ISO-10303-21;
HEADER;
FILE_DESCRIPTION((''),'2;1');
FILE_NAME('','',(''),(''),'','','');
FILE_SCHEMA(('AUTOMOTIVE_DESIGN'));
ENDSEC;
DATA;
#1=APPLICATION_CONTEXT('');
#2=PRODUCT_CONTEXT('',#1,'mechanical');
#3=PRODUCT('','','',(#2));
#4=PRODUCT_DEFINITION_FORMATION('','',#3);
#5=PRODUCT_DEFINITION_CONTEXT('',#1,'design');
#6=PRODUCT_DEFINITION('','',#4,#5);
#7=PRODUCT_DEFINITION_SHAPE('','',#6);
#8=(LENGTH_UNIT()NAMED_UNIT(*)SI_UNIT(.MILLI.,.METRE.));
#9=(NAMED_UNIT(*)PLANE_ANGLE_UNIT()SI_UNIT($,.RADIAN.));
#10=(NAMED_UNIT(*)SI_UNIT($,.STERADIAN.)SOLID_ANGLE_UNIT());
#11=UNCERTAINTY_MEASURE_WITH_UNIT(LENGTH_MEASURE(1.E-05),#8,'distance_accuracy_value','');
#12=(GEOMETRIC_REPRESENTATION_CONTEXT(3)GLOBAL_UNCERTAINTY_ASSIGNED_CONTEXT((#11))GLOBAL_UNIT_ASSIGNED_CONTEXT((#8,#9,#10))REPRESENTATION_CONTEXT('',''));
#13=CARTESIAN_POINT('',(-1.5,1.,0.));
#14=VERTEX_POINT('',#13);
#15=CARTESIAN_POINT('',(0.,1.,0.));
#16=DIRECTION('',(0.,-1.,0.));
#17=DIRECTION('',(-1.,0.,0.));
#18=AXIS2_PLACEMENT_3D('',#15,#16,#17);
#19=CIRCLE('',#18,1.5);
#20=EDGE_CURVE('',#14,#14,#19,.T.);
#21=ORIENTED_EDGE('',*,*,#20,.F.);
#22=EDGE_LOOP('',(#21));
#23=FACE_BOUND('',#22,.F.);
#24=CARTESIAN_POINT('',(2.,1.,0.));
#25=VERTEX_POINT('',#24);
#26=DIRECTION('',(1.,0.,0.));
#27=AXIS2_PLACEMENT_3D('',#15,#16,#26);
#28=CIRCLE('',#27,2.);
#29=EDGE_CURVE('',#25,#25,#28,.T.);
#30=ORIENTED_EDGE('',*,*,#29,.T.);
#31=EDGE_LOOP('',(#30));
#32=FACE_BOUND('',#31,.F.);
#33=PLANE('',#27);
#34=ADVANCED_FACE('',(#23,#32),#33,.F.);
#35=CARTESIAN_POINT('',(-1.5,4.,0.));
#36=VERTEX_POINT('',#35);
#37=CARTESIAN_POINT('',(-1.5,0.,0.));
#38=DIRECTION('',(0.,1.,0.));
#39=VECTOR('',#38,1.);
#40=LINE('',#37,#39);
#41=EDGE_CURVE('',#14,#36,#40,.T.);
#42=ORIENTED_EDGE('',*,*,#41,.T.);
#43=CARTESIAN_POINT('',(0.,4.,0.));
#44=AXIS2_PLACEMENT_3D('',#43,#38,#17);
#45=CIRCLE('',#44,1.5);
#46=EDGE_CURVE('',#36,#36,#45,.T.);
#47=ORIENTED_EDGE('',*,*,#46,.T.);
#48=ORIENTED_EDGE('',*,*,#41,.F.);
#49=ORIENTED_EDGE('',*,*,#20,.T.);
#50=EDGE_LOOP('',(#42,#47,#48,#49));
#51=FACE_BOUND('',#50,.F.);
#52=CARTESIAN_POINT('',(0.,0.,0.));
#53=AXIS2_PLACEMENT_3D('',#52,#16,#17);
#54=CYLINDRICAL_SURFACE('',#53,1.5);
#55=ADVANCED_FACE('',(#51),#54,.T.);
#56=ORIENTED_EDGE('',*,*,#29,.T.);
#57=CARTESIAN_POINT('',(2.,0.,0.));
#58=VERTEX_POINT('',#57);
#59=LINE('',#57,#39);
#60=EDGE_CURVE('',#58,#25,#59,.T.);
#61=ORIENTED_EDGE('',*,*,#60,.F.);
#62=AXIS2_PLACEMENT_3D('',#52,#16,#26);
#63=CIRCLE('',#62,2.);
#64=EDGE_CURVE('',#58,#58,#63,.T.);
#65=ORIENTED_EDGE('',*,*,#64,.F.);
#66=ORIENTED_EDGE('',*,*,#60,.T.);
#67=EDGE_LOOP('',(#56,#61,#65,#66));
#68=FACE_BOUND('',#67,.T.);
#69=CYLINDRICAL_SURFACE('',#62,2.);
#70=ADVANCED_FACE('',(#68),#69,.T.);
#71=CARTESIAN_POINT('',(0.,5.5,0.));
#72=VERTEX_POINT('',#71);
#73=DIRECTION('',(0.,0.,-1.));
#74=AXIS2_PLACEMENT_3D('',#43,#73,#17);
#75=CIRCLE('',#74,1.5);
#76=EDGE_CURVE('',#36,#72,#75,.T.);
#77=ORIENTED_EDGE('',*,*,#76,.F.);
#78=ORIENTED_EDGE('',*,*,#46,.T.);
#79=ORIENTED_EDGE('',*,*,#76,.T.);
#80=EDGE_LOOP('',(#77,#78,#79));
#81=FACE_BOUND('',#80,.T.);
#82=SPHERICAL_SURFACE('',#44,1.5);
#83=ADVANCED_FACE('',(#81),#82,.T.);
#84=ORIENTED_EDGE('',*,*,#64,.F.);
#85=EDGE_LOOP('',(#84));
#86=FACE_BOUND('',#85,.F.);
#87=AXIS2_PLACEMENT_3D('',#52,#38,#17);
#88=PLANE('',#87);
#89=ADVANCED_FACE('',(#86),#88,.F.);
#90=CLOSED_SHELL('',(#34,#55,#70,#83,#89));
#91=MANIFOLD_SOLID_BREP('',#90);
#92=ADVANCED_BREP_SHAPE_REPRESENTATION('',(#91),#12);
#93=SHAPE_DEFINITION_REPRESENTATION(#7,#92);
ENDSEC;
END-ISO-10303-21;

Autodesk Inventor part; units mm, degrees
ref_plane "YZ Plane" through (0, 0, 0) normal (1, 0, 0) x (0, 1, 0)
ref_plane "XZ Plane" through (0, 0, 0) normal (0, 1, 0) x (-1, 0, 0)
ref_plane "XY Plane" through (0, 0, 0) normal (0, 0, 1) x (1, 0, 0)
sketch "Эскиз1" plane through (0, 0, 0) normal (0, 1, 0) x (-1, 0, 0)
  circle A0 centre (0, 0) radius 1.5
  dimension "d0" = 3
extrude "Выдавливание1" add sketch "Эскиз1" along normal blind 5.5
sketch "Эскиз2" plane through (0, 0, 0) normal (0, -1, 0) x (1, 0, 0)
  circle A0 centre (0, 0) radius 2
  dimension "d3" = 4
extrude "Выдавливание2" add sketch "Эскиз2" against normal blind 1
fillet "Сопряжение1" radius 1.5 1 edges at (1.5, 5.5, 0)
properties part number "led_3mm"
